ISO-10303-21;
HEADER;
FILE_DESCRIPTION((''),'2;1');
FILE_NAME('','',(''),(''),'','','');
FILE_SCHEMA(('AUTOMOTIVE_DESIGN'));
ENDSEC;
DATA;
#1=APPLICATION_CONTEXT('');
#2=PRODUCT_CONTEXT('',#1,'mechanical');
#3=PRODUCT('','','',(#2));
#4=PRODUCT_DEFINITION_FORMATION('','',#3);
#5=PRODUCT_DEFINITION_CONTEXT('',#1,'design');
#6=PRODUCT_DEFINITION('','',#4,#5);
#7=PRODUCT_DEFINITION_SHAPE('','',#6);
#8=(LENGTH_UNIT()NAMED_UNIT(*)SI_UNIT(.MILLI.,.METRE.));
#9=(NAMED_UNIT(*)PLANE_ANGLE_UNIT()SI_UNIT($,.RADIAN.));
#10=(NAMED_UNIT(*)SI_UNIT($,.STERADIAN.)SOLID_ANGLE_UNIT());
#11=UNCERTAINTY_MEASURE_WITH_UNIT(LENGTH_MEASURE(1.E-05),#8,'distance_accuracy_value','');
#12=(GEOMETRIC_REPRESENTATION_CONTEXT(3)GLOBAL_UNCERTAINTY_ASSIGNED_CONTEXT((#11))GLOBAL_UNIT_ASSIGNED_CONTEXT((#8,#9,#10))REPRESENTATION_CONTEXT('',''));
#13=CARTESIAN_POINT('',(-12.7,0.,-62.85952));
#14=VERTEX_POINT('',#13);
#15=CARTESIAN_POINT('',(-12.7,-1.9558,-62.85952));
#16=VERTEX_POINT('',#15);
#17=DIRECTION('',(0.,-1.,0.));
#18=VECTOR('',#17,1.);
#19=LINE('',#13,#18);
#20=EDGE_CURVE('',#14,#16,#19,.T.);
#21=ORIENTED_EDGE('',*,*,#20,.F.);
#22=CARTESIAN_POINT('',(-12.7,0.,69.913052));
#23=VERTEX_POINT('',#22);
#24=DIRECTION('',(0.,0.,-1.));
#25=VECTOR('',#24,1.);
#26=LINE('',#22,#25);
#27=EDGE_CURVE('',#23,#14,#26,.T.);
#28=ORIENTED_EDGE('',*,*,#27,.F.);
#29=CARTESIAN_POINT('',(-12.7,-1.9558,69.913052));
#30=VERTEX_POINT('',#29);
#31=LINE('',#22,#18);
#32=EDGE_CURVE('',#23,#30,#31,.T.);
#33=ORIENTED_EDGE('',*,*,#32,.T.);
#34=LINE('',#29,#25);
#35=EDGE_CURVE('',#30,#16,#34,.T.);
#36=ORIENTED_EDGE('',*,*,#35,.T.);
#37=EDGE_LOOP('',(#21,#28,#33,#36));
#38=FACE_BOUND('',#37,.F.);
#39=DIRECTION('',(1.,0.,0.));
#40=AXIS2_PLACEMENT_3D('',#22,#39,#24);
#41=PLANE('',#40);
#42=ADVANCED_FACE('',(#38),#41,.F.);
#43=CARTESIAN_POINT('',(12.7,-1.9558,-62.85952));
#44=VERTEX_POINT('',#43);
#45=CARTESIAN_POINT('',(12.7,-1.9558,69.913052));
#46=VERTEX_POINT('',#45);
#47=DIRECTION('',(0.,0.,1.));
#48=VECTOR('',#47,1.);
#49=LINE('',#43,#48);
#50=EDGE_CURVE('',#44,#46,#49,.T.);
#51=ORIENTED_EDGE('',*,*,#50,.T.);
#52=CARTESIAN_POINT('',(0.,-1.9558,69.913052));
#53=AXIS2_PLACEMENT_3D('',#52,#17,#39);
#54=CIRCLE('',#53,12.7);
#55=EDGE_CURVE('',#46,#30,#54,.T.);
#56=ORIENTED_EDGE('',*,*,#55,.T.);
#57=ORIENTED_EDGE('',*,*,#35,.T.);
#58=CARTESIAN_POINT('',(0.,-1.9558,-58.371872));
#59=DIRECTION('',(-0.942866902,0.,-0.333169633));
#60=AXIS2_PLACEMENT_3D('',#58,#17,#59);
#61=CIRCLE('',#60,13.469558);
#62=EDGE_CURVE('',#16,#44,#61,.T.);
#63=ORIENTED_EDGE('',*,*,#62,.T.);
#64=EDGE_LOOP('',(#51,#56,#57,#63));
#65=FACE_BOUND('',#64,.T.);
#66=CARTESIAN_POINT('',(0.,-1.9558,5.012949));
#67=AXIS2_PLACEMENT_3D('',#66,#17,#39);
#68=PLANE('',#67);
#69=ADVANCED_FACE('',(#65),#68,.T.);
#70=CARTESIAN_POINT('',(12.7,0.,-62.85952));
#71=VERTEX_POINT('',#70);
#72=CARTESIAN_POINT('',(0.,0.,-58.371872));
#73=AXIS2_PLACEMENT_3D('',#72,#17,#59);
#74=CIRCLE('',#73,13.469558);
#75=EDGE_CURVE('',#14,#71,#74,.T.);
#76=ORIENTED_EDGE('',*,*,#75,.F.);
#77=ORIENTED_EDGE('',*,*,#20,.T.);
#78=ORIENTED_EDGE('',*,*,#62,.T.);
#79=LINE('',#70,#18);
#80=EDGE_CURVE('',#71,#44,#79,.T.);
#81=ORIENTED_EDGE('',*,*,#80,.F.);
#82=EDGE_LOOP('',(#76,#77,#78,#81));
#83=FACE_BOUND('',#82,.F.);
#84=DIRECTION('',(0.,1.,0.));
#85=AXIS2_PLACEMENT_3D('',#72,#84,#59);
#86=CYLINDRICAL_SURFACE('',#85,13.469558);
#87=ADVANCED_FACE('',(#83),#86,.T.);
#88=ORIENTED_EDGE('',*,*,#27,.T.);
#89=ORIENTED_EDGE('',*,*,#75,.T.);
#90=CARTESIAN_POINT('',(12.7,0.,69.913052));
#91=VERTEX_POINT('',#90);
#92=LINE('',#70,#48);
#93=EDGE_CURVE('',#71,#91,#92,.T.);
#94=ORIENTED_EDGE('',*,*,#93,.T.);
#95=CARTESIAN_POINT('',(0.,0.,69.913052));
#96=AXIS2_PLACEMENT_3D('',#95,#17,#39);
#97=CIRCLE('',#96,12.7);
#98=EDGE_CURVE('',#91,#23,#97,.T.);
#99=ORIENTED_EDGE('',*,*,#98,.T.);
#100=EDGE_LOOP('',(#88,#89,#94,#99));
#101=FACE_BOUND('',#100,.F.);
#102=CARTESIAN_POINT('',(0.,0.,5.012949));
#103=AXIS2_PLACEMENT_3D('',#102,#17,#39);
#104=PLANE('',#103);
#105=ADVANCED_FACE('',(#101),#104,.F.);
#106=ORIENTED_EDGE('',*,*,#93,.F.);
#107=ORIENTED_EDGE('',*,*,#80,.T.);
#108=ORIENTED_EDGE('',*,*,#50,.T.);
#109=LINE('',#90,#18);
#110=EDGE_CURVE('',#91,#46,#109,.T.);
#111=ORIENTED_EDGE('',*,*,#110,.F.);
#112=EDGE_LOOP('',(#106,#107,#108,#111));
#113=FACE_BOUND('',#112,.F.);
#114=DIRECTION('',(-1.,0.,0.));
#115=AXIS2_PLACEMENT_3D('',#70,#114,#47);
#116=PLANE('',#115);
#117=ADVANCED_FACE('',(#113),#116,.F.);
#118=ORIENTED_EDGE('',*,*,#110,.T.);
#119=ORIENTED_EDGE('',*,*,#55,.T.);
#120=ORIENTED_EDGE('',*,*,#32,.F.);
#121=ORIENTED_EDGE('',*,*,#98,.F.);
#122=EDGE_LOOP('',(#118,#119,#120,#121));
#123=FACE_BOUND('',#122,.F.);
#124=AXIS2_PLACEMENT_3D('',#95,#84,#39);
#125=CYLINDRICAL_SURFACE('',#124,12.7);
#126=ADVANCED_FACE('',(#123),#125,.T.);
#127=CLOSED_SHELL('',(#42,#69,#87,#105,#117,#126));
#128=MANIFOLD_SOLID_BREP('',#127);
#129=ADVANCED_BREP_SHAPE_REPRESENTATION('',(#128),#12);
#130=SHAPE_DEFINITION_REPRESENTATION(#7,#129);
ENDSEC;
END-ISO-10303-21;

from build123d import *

# Parameters (mm, degrees)
F1_DEPTH = 1.9558


with BuildPart() as f1:
    # F0 (on Front) → F1 (new body)
    with BuildSketch(Plane.XZ):
        with BuildLine():
            Line((-12.7, 69.913052), (-12.7, 0))
            Line((-12.7, 0), (-12.7, -62.85952))
            ThreePointArc((-12.7, -62.85952), (0, -71.84143), (12.7, -62.85952))
            Line((12.7, -62.85952), (12.7, 0))
            Line((12.7, 0), (12.7, 69.913052))
            ThreePointArc((12.7, 69.913052), (0, 82.613052), (-12.7, 69.913052))
        make_face()
    extrude(amount=F1_DEPTH)


solid = f1.part
